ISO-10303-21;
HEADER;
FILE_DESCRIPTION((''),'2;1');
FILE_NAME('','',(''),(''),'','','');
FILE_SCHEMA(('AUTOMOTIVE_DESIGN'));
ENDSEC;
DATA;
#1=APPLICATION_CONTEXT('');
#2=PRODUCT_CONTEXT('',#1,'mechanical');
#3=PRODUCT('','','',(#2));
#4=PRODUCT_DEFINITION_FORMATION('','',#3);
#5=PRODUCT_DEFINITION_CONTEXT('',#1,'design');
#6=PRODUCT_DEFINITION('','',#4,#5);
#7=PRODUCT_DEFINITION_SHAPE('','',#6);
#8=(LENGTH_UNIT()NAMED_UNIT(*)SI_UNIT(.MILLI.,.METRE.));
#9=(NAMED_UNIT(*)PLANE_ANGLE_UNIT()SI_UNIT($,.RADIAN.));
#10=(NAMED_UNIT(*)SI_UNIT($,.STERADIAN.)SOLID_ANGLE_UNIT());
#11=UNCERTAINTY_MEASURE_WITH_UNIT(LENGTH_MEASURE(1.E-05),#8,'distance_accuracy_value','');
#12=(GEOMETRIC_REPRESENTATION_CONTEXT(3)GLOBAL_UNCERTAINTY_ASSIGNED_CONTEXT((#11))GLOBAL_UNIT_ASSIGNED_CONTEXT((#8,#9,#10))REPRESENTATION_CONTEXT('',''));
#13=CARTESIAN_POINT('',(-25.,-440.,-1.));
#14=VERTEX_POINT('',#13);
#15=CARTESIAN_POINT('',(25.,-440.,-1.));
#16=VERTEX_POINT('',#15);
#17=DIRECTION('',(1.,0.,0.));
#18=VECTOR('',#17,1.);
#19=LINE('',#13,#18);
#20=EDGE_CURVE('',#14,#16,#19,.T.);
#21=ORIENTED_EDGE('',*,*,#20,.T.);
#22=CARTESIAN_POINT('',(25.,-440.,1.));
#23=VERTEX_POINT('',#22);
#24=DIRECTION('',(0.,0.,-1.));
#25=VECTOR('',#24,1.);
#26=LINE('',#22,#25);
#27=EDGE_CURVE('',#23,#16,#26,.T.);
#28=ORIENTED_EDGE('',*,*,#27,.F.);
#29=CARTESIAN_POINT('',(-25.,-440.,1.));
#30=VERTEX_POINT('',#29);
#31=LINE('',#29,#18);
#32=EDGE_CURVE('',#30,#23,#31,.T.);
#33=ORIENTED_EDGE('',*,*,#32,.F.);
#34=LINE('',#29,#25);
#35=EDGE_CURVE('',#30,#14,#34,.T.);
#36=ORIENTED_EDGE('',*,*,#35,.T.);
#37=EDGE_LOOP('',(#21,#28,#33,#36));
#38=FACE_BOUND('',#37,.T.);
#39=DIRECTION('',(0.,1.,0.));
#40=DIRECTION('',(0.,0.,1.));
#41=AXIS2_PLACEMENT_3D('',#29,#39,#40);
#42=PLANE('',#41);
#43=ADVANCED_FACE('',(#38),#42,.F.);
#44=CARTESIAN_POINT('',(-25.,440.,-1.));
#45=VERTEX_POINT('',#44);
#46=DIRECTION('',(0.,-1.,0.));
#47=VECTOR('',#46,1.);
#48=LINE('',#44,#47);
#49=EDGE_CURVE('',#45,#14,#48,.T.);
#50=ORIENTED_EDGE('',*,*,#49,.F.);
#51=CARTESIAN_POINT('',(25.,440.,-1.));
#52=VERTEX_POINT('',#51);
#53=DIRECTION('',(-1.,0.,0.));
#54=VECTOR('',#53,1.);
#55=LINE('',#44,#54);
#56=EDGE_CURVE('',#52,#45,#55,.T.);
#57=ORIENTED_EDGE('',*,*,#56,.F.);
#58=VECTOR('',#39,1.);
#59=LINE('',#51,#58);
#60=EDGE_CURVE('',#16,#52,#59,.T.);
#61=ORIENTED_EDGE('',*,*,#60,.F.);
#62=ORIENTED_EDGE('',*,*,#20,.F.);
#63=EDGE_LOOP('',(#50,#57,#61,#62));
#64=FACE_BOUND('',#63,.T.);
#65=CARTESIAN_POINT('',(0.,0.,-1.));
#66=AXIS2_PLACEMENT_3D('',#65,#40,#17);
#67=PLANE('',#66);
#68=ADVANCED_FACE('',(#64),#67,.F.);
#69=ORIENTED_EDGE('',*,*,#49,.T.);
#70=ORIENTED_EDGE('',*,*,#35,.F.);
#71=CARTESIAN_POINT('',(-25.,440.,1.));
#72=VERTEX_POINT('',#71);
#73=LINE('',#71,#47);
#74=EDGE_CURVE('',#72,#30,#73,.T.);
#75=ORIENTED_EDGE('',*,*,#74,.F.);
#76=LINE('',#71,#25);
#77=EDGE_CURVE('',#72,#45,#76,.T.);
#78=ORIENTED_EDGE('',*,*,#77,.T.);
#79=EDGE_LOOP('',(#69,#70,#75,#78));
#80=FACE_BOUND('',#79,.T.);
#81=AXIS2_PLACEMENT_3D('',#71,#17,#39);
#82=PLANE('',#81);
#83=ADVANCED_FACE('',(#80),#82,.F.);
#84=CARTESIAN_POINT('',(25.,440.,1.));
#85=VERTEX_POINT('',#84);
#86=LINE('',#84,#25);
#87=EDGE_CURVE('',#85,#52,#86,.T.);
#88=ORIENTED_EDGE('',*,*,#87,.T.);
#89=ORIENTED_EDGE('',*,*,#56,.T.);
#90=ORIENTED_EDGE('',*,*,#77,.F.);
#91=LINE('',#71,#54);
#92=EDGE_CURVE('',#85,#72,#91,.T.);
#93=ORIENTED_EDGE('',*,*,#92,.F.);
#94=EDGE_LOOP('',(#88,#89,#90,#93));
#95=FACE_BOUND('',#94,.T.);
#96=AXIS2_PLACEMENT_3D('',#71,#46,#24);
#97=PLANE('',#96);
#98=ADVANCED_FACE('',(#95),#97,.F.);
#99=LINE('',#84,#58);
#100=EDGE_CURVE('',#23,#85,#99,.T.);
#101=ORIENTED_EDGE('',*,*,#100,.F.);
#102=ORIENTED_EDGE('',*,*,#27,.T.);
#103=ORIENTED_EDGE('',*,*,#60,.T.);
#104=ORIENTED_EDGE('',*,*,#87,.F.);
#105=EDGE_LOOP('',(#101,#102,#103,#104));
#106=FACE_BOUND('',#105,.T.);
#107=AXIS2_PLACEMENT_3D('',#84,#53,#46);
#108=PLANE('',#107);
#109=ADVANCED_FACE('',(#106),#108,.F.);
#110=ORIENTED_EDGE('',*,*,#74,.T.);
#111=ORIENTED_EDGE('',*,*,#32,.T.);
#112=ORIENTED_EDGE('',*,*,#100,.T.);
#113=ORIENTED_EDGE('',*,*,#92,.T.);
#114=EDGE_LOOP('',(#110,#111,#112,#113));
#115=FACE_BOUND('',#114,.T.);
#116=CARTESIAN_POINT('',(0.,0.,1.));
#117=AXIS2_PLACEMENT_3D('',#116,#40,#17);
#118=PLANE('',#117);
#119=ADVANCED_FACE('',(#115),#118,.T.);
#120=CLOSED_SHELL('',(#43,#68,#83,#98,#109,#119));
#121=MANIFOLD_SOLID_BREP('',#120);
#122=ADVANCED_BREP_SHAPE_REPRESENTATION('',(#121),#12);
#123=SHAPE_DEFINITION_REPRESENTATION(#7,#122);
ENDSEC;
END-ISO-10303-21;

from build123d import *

# Parameters (mm, degrees)
SKETCH_1_W      = 50
SKETCH_1_H      = 880
EXTRUDE_1_DEPTH = 1


with BuildPart() as part:
    # Эскиз1 → Бобышка-Вытянуть1 (new, symmetric)
    with BuildSketch(Plane.XY):
        Rectangle(SKETCH_1_W, SKETCH_1_H)
    extrude(amount=EXTRUDE_1_DEPTH, both=True)


solid = part.part
